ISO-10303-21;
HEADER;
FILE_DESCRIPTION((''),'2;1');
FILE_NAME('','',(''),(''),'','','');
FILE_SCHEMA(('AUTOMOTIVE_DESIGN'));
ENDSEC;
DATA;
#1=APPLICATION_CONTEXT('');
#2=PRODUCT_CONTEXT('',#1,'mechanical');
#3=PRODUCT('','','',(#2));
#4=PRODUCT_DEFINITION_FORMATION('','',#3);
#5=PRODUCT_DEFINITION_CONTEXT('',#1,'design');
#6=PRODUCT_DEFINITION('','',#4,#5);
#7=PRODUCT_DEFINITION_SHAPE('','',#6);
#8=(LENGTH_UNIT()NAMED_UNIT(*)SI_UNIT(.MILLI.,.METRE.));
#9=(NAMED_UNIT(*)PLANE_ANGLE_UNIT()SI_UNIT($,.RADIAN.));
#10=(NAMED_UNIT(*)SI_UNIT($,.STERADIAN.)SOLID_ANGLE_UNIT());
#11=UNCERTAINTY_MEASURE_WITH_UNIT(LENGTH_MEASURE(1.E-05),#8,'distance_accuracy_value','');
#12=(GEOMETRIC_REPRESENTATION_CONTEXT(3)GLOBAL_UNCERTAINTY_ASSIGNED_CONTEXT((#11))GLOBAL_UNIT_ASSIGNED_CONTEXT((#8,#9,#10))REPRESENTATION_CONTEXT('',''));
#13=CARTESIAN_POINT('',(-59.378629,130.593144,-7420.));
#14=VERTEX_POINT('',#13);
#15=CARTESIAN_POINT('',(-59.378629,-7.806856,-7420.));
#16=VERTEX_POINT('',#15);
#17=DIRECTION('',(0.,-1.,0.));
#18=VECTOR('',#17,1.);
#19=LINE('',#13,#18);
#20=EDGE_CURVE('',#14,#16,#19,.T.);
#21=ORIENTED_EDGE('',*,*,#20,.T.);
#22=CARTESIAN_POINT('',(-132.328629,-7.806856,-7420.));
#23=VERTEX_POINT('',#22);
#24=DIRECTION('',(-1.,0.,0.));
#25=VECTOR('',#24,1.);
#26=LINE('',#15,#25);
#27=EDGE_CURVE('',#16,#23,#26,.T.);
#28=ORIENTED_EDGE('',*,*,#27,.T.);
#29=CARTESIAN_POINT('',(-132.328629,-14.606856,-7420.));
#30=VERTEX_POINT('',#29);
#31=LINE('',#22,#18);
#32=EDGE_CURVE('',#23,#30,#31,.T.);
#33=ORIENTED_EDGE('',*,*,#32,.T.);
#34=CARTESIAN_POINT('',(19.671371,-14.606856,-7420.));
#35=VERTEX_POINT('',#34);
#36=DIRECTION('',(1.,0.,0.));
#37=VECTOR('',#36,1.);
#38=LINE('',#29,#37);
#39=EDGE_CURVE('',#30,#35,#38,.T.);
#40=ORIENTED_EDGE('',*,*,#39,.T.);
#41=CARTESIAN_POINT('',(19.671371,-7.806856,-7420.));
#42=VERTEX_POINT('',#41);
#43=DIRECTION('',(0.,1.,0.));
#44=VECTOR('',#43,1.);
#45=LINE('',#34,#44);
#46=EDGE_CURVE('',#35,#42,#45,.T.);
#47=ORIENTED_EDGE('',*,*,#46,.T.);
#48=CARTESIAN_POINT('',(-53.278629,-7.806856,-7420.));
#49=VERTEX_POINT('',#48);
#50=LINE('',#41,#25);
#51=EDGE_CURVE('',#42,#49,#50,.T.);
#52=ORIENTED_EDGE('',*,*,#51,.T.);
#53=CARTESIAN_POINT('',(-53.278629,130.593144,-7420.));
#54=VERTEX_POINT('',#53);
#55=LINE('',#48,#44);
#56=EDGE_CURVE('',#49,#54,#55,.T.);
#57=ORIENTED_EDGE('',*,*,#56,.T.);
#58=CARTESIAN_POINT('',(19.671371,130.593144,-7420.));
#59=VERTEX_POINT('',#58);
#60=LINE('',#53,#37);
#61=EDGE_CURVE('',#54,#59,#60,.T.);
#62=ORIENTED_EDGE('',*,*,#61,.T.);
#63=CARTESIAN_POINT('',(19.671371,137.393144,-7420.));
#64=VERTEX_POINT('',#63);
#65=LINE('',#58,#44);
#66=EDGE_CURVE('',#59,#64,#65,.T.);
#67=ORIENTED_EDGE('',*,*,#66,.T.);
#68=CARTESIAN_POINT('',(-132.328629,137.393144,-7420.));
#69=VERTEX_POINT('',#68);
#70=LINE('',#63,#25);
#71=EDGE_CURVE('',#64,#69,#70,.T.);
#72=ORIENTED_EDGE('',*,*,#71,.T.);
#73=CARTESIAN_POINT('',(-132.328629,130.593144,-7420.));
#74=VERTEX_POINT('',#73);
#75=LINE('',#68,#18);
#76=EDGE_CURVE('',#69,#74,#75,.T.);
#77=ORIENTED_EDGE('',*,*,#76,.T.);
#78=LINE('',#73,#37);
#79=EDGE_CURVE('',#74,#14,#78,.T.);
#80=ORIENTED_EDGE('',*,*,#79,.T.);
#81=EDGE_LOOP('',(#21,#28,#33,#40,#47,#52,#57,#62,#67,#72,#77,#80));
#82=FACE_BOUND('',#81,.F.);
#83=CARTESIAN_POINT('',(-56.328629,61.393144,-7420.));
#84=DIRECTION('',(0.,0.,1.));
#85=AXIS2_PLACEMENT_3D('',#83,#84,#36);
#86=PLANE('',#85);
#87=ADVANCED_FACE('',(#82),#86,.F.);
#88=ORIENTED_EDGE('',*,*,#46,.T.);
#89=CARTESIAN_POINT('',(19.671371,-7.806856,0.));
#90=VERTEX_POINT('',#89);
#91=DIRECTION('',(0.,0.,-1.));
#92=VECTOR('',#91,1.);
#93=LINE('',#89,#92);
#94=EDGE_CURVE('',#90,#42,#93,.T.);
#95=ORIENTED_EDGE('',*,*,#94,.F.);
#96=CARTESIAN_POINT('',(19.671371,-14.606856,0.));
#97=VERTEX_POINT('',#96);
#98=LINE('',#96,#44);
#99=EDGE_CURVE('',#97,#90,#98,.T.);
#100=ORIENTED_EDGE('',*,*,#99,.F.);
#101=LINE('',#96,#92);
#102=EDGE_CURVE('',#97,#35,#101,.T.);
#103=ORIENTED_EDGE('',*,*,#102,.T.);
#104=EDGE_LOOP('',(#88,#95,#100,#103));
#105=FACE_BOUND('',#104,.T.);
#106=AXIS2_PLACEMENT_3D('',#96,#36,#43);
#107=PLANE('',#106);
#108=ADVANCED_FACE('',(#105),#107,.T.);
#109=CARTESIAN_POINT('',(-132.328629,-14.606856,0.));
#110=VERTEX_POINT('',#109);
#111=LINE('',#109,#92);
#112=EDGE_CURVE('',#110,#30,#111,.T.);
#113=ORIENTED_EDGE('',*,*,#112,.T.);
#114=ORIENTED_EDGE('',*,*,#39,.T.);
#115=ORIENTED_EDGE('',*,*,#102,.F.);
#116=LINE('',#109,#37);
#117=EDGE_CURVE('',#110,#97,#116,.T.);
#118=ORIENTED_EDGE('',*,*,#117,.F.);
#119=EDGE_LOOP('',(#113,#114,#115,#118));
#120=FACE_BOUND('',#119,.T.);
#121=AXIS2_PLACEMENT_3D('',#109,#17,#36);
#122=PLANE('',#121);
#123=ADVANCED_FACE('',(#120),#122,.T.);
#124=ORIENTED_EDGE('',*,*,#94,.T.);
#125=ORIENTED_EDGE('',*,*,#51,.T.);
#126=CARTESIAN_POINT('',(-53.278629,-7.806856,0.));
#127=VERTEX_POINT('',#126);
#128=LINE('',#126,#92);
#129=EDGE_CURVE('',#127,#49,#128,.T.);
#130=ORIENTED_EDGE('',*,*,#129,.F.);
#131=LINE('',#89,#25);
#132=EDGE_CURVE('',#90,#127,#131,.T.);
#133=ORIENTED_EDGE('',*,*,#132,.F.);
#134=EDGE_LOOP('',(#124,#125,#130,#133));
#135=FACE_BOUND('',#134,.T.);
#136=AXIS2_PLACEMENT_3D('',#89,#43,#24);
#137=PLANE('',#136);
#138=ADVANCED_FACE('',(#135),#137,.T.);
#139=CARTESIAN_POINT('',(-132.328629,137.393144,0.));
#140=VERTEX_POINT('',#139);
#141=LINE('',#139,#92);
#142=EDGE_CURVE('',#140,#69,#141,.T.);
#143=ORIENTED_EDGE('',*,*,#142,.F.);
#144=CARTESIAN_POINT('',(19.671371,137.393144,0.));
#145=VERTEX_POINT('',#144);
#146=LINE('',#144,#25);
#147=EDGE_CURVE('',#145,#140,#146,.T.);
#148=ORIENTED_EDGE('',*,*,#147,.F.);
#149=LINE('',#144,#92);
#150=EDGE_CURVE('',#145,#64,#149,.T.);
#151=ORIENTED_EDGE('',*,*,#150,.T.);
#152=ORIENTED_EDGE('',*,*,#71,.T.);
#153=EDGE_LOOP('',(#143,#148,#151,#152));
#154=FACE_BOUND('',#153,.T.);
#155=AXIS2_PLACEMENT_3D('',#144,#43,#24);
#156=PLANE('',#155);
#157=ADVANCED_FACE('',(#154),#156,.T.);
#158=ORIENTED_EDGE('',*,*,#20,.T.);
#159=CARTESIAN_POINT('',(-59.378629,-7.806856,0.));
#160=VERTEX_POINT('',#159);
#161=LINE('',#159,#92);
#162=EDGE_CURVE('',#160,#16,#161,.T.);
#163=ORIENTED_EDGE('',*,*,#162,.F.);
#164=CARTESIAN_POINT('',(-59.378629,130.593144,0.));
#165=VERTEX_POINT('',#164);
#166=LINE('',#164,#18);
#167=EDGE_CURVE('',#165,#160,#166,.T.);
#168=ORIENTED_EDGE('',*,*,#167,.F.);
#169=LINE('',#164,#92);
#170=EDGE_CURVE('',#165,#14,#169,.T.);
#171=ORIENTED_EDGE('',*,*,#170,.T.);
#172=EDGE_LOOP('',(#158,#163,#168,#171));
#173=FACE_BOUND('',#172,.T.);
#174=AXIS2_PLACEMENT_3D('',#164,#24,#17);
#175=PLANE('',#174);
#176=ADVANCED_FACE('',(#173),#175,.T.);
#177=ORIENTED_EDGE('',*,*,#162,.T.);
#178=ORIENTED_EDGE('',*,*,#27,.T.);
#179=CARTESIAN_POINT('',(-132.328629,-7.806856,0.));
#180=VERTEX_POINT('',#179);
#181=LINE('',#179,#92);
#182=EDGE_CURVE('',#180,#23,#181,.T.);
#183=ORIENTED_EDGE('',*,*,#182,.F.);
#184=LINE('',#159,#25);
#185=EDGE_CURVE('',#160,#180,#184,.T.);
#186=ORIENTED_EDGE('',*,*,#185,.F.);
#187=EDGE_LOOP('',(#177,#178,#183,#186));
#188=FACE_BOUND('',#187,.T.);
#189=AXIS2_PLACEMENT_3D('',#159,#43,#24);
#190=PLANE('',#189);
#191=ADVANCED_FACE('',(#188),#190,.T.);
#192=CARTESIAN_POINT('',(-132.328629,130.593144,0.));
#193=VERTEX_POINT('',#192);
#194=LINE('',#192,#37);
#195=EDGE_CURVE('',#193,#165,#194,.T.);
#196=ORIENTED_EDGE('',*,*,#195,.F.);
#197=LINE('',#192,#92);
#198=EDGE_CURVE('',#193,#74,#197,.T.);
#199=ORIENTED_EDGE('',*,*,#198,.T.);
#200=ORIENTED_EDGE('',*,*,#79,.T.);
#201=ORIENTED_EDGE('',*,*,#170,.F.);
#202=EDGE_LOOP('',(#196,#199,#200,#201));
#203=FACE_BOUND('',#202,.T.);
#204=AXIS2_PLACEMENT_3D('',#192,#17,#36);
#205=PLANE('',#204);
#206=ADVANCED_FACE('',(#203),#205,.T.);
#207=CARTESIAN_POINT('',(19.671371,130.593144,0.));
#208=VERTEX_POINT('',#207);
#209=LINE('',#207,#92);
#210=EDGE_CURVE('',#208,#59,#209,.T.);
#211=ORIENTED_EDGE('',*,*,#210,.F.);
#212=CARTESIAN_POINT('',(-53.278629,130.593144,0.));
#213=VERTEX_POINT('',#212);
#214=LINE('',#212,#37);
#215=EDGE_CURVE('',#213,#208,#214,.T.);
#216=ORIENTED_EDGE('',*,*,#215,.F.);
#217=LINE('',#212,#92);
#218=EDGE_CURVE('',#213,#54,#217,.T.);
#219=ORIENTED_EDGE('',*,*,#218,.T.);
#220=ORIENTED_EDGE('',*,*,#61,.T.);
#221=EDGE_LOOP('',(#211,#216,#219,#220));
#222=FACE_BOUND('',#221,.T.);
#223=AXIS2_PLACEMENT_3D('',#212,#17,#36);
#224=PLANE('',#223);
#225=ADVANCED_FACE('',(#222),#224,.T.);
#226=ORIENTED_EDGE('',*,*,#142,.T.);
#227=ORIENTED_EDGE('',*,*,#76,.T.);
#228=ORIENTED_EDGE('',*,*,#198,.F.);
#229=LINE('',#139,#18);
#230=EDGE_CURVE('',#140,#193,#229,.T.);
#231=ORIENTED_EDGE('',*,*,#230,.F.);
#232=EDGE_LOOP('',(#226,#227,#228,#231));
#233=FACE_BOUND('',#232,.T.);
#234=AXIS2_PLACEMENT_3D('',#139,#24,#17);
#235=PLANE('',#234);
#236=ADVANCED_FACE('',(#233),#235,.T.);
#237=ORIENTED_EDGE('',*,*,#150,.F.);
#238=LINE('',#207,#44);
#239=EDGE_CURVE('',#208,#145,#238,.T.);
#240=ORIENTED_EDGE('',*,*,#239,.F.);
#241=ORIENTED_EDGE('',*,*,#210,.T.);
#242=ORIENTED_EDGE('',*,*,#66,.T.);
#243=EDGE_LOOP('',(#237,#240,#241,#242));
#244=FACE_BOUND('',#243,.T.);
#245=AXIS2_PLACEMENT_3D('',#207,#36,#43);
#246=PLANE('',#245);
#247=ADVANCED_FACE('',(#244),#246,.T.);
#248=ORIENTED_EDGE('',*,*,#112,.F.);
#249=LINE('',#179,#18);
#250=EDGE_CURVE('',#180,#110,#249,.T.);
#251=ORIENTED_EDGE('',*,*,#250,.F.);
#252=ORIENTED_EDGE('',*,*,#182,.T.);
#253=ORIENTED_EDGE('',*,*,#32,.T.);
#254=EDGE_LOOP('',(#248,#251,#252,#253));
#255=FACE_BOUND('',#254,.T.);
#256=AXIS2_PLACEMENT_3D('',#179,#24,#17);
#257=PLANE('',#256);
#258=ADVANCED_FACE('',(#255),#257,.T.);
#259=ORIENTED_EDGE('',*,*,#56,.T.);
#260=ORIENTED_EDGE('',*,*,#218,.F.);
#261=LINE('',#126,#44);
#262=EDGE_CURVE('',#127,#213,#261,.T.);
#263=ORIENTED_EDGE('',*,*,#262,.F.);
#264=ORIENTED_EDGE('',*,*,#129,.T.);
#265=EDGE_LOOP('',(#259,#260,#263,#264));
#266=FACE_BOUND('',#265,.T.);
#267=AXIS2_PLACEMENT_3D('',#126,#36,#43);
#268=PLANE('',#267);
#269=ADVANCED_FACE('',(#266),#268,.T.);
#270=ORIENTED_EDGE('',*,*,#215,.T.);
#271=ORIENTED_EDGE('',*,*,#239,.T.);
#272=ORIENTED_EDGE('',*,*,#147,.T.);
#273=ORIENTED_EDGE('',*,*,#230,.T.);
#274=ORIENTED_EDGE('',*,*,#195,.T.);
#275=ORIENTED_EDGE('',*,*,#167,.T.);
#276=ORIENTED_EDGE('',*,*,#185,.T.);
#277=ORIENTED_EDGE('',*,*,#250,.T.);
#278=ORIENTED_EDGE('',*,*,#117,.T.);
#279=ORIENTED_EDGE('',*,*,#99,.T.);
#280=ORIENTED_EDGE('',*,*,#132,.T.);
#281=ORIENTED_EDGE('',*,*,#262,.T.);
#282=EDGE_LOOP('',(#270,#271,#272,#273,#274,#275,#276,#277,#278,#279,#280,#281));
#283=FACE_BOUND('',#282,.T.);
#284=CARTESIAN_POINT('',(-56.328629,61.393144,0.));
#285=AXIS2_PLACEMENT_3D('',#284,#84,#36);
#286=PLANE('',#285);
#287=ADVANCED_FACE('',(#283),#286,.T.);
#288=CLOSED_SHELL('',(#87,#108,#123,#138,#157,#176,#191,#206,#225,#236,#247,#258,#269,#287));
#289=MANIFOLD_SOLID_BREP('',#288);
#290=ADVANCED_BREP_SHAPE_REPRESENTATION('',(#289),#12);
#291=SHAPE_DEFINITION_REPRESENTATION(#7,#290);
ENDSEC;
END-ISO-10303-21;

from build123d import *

# Parameters (mm, degrees)
F1_DEPTH = 7420


with BuildPart() as f1:
    # F0 (on Top) → F1 (new body)
    with BuildSketch(Plane.XY):
        Polygon((-59.378629, 137.393144), (-132.328629, 137.393144), (-132.328629, 130.593144), (-59.378629, 130.593144), (-59.378629, -7.806856), (-132.328629, -7.806856), (-132.328629, -14.606856), (19.671371, -14.606856), (19.671371, -7.806856), (-53.278629, -7.806856), (-53.278629, 130.593144), (19.671371, 130.593144), (19.671371, 137.393144), align=None)
    extrude(amount=-F1_DEPTH)


solid = f1.part
